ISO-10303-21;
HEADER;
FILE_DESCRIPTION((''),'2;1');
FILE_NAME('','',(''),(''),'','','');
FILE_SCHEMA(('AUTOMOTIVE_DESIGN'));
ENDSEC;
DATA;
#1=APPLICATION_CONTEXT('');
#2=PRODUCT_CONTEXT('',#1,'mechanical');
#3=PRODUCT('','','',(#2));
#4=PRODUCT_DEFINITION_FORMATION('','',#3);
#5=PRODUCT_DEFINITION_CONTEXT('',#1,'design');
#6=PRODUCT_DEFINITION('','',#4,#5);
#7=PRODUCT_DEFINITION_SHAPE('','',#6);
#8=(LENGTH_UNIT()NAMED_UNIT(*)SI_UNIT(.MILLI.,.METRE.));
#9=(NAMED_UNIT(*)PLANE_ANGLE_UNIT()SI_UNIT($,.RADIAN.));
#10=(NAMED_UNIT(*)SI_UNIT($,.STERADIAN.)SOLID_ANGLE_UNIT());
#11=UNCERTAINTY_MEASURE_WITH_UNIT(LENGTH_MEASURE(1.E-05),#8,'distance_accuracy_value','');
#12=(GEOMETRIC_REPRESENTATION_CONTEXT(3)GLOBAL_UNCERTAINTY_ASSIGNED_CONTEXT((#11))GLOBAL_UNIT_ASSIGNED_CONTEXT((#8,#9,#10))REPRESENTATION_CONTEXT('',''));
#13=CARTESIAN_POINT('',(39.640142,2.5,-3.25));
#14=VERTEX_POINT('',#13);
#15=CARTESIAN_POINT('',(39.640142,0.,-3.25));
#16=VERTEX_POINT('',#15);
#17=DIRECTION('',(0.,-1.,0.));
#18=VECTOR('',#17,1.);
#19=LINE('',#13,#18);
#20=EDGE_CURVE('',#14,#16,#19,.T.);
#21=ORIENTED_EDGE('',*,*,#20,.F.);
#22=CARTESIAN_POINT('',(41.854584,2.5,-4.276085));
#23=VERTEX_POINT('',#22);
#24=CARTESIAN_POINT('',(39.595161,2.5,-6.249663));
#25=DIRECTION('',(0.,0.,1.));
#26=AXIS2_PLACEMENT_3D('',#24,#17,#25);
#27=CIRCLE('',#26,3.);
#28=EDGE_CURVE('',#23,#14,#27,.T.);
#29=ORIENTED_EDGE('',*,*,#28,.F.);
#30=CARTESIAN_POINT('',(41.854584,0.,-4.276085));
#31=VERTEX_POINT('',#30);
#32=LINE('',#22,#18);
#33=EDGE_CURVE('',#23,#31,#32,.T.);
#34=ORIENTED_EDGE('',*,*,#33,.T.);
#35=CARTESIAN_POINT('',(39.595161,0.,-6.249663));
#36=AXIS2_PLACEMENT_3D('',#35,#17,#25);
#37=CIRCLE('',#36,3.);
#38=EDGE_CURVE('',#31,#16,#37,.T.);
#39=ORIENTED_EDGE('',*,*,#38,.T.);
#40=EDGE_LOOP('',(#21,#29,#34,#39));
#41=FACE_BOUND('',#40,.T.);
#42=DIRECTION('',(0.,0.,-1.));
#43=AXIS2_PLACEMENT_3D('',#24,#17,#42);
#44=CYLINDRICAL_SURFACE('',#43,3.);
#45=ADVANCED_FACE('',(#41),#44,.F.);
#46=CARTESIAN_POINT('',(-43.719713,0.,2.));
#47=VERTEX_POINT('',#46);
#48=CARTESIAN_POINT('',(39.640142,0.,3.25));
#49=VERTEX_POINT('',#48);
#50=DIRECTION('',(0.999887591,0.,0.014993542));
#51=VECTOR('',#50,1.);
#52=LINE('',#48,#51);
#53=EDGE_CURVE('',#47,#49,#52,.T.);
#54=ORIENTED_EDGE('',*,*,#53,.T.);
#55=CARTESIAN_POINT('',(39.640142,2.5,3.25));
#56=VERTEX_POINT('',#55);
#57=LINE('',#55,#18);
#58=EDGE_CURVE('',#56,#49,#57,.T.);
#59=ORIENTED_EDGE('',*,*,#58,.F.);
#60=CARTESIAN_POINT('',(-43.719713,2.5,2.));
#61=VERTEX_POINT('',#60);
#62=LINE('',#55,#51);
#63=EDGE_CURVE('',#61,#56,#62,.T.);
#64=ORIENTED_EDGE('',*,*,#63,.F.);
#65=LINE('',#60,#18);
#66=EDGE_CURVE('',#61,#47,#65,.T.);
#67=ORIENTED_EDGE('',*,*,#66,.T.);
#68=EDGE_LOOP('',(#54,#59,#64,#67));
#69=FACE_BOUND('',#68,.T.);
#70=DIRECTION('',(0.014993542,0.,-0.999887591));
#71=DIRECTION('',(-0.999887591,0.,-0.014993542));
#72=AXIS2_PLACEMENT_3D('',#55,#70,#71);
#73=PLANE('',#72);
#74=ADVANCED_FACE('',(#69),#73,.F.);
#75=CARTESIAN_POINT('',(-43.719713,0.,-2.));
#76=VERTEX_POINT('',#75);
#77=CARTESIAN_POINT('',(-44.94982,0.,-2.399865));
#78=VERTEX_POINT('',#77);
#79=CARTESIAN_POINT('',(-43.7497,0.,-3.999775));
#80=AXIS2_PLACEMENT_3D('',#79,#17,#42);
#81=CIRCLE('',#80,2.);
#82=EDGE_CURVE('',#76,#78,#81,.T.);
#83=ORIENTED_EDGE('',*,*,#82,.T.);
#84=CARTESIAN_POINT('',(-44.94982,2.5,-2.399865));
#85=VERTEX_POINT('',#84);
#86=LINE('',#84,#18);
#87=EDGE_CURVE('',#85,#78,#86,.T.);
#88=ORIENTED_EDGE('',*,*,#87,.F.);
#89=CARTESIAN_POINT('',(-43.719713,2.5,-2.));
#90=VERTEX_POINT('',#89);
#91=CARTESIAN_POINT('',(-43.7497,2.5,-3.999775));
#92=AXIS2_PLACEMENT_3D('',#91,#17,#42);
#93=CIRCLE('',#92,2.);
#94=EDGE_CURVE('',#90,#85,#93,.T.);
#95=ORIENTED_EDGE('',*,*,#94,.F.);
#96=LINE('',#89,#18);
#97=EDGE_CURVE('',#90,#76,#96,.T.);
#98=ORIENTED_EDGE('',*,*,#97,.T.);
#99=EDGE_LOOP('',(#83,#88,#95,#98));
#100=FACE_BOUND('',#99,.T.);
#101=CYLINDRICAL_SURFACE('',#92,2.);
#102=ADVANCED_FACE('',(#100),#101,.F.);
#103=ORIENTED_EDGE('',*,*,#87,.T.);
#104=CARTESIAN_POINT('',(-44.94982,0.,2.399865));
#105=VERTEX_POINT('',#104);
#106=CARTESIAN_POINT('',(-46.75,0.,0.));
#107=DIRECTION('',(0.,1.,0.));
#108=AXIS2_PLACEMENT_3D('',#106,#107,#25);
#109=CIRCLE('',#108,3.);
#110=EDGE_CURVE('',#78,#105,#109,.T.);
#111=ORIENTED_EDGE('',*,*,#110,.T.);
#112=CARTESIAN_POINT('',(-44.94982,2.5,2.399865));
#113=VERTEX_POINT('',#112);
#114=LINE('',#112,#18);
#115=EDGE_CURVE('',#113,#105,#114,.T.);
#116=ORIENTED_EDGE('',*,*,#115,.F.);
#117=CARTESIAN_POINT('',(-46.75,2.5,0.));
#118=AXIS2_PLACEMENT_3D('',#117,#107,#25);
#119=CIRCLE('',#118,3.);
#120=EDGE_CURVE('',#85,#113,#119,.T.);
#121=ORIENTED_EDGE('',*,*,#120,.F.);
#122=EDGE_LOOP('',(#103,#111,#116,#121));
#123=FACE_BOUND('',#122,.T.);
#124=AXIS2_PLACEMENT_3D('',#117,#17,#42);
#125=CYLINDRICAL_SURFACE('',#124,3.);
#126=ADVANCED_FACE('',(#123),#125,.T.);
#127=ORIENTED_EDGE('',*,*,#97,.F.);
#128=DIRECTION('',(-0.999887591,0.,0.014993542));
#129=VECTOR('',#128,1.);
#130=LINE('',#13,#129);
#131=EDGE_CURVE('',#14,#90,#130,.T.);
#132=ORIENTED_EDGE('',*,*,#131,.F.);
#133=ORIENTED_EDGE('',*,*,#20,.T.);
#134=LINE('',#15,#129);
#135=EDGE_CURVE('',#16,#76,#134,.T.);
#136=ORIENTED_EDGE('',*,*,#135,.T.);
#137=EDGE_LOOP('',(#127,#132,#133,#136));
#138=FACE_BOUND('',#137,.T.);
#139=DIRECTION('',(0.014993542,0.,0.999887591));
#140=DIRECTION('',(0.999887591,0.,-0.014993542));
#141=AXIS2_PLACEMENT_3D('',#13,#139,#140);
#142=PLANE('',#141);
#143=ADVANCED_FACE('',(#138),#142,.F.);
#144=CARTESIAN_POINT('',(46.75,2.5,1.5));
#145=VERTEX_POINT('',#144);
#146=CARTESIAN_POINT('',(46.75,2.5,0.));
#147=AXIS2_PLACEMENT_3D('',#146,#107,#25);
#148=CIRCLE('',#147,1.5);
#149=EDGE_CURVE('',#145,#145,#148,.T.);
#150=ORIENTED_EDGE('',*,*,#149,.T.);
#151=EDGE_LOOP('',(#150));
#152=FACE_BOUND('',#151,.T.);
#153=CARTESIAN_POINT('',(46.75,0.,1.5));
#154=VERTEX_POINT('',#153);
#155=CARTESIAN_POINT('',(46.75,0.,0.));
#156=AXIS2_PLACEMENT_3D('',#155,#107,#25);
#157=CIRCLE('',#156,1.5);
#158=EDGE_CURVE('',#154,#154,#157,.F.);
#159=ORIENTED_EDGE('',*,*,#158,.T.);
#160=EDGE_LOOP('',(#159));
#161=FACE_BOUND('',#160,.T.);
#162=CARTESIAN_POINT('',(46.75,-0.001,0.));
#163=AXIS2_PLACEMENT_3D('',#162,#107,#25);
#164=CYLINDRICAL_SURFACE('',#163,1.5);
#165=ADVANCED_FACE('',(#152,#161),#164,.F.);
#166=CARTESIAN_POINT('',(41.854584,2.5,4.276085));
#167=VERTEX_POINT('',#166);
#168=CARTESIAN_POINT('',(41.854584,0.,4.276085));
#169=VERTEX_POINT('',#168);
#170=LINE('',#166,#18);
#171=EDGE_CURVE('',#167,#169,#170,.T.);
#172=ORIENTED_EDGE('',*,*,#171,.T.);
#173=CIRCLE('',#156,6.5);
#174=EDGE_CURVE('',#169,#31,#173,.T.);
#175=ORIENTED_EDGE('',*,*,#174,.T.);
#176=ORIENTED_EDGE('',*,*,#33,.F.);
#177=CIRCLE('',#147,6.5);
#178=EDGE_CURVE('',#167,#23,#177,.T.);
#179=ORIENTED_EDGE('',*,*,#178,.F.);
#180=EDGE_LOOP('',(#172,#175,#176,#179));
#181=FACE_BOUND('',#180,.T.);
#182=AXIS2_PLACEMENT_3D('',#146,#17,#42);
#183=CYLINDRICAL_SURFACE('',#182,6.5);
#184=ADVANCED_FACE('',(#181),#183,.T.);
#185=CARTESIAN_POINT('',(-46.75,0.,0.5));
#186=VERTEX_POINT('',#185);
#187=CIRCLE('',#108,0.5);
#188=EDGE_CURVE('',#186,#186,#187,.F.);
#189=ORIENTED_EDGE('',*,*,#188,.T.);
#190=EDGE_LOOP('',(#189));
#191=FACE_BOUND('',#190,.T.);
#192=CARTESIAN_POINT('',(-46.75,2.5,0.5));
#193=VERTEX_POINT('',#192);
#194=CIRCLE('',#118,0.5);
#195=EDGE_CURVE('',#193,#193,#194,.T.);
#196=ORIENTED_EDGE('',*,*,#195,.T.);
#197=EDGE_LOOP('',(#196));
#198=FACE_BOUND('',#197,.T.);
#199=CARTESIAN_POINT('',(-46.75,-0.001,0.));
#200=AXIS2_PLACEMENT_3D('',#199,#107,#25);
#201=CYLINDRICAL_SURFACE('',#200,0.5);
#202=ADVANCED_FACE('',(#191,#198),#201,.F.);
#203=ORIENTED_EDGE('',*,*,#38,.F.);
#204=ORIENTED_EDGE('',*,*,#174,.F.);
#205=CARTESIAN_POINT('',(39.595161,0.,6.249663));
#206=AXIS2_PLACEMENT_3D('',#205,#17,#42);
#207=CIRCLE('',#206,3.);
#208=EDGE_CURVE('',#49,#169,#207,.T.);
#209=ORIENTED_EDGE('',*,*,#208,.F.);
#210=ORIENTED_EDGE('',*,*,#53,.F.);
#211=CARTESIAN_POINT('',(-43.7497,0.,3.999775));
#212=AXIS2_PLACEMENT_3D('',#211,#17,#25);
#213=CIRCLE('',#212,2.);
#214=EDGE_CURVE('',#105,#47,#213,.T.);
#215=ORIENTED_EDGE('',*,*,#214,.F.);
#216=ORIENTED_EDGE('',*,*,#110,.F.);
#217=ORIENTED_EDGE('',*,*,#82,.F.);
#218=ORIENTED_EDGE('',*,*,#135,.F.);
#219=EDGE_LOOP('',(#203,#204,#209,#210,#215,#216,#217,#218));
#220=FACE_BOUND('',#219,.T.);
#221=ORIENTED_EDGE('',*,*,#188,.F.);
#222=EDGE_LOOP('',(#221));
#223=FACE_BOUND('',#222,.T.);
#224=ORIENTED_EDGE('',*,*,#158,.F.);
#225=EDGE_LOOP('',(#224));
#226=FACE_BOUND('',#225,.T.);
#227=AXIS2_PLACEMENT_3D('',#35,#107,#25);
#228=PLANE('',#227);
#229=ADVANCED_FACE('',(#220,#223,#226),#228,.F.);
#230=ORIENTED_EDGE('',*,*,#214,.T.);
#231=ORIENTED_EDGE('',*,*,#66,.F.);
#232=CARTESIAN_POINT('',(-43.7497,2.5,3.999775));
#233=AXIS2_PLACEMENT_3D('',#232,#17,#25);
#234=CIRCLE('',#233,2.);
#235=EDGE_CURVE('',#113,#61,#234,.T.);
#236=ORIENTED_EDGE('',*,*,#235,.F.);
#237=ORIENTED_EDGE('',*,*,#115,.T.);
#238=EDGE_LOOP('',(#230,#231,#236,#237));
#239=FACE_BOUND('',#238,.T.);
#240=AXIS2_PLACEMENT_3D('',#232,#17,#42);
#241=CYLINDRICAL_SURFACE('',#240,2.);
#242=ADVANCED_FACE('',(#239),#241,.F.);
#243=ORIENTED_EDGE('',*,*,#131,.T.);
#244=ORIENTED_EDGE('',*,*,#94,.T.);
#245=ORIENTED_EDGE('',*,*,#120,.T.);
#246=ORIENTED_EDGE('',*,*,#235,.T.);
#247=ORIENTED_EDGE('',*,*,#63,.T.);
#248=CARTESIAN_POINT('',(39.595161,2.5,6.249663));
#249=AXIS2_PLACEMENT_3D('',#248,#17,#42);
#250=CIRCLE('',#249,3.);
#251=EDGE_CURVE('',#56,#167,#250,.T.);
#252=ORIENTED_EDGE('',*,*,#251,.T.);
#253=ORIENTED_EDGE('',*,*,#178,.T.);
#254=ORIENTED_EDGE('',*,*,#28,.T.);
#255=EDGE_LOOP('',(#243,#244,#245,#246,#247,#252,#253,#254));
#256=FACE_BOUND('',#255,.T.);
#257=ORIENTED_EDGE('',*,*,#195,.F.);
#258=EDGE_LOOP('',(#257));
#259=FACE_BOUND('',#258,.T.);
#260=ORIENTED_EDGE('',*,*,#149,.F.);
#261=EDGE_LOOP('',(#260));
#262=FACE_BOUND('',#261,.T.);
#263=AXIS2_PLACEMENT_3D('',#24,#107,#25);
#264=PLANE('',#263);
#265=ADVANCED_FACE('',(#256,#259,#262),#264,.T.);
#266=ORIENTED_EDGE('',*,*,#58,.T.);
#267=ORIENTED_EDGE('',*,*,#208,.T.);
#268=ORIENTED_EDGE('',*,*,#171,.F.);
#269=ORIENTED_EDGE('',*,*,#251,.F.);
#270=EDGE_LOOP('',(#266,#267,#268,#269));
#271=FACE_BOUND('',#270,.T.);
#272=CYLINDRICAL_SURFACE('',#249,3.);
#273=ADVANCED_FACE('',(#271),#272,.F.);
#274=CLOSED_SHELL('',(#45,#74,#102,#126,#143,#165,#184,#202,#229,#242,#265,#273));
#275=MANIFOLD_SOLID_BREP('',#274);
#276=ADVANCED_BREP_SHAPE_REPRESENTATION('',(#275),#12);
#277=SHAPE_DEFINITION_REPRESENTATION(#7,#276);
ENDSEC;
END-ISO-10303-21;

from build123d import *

# Parameters (mm, degrees)
BOSS_EXTRUDE1_DEPTH = 2.5
CUT_EXTRUDE1_REACH  = 4.5
SKETCH2_R           = 0.5
SKETCH2_R_2         = 1.5


with BuildPart() as part:
    # Sketch1 → Boss-Extrude1 (new body)
    with BuildSketch(Plane(origin=(0, 0, 0), x_dir=(1, 0, 0), z_dir=(0, 1, 0))):
        with BuildLine():
            Line((39.640142036, 3.25), (-43.719713181, 2))
            ThreePointArc((-43.719713181, 2), (-44.367984766, 2.097743563), (-44.949820159, 2.399865109))
            ThreePointArc((-44.949820159, 2.399865109), (-49.75, 0), (-44.949820159, -2.399865109))
            ThreePointArc((-44.949820159, -2.399865109), (-44.367984766, -2.097743563), (-43.719713181, -2))
            Line((-43.719713181, -2), (39.640142036, -3.25))
            ThreePointArc((39.640142036, -3.25), (40.856423208, -3.52767477), (41.854584123, -4.276085054))
            ThreePointArc((41.854584123, -4.276085054), (53.25, 0), (41.854584123, 4.276085054))
            ThreePointArc((41.854584123, 4.276085054), (40.856423208, 3.52767477), (39.640142036, 3.25))
        make_face()
    extrude(amount=BOSS_EXTRUDE1_DEPTH)

    # Sketch2 → Cut-Extrude1 (cut, up to next)
    with BuildSketch(Plane(origin=(0, 2.5, 0), x_dir=(1, 0, 0), z_dir=(0, 1, 0)), mode=Mode.PRIVATE) as cut_extrude1_sk1:
        with Locations((-46.75, 0)):
            Circle(SKETCH2_R)
    cut_extrude1_tool1 = extrude(cut_extrude1_sk1.sketch, amount=-CUT_EXTRUDE1_REACH, mode=Mode.PRIVATE) & part.part
    add(cut_extrude1_tool1.solids().sort_by_distance((-46.75, 2.5, 0))[0], mode=Mode.SUBTRACT)
    # Sketch2 → Cut-Extrude1 (cut, up to next)
    with BuildSketch(Plane(origin=(0, 2.5, 0), x_dir=(1, 0, 0), z_dir=(0, 1, 0)), mode=Mode.PRIVATE) as cut_extrude1_sk2:
        with Locations((46.75, 0)):
            Circle(SKETCH2_R_2)
    cut_extrude1_tool2 = extrude(cut_extrude1_sk2.sketch, amount=-CUT_EXTRUDE1_REACH, mode=Mode.PRIVATE) & part.part
    add(cut_extrude1_tool2.solids().sort_by_distance((46.75, 2.5, 0))[0], mode=Mode.SUBTRACT)


solid = part.part
